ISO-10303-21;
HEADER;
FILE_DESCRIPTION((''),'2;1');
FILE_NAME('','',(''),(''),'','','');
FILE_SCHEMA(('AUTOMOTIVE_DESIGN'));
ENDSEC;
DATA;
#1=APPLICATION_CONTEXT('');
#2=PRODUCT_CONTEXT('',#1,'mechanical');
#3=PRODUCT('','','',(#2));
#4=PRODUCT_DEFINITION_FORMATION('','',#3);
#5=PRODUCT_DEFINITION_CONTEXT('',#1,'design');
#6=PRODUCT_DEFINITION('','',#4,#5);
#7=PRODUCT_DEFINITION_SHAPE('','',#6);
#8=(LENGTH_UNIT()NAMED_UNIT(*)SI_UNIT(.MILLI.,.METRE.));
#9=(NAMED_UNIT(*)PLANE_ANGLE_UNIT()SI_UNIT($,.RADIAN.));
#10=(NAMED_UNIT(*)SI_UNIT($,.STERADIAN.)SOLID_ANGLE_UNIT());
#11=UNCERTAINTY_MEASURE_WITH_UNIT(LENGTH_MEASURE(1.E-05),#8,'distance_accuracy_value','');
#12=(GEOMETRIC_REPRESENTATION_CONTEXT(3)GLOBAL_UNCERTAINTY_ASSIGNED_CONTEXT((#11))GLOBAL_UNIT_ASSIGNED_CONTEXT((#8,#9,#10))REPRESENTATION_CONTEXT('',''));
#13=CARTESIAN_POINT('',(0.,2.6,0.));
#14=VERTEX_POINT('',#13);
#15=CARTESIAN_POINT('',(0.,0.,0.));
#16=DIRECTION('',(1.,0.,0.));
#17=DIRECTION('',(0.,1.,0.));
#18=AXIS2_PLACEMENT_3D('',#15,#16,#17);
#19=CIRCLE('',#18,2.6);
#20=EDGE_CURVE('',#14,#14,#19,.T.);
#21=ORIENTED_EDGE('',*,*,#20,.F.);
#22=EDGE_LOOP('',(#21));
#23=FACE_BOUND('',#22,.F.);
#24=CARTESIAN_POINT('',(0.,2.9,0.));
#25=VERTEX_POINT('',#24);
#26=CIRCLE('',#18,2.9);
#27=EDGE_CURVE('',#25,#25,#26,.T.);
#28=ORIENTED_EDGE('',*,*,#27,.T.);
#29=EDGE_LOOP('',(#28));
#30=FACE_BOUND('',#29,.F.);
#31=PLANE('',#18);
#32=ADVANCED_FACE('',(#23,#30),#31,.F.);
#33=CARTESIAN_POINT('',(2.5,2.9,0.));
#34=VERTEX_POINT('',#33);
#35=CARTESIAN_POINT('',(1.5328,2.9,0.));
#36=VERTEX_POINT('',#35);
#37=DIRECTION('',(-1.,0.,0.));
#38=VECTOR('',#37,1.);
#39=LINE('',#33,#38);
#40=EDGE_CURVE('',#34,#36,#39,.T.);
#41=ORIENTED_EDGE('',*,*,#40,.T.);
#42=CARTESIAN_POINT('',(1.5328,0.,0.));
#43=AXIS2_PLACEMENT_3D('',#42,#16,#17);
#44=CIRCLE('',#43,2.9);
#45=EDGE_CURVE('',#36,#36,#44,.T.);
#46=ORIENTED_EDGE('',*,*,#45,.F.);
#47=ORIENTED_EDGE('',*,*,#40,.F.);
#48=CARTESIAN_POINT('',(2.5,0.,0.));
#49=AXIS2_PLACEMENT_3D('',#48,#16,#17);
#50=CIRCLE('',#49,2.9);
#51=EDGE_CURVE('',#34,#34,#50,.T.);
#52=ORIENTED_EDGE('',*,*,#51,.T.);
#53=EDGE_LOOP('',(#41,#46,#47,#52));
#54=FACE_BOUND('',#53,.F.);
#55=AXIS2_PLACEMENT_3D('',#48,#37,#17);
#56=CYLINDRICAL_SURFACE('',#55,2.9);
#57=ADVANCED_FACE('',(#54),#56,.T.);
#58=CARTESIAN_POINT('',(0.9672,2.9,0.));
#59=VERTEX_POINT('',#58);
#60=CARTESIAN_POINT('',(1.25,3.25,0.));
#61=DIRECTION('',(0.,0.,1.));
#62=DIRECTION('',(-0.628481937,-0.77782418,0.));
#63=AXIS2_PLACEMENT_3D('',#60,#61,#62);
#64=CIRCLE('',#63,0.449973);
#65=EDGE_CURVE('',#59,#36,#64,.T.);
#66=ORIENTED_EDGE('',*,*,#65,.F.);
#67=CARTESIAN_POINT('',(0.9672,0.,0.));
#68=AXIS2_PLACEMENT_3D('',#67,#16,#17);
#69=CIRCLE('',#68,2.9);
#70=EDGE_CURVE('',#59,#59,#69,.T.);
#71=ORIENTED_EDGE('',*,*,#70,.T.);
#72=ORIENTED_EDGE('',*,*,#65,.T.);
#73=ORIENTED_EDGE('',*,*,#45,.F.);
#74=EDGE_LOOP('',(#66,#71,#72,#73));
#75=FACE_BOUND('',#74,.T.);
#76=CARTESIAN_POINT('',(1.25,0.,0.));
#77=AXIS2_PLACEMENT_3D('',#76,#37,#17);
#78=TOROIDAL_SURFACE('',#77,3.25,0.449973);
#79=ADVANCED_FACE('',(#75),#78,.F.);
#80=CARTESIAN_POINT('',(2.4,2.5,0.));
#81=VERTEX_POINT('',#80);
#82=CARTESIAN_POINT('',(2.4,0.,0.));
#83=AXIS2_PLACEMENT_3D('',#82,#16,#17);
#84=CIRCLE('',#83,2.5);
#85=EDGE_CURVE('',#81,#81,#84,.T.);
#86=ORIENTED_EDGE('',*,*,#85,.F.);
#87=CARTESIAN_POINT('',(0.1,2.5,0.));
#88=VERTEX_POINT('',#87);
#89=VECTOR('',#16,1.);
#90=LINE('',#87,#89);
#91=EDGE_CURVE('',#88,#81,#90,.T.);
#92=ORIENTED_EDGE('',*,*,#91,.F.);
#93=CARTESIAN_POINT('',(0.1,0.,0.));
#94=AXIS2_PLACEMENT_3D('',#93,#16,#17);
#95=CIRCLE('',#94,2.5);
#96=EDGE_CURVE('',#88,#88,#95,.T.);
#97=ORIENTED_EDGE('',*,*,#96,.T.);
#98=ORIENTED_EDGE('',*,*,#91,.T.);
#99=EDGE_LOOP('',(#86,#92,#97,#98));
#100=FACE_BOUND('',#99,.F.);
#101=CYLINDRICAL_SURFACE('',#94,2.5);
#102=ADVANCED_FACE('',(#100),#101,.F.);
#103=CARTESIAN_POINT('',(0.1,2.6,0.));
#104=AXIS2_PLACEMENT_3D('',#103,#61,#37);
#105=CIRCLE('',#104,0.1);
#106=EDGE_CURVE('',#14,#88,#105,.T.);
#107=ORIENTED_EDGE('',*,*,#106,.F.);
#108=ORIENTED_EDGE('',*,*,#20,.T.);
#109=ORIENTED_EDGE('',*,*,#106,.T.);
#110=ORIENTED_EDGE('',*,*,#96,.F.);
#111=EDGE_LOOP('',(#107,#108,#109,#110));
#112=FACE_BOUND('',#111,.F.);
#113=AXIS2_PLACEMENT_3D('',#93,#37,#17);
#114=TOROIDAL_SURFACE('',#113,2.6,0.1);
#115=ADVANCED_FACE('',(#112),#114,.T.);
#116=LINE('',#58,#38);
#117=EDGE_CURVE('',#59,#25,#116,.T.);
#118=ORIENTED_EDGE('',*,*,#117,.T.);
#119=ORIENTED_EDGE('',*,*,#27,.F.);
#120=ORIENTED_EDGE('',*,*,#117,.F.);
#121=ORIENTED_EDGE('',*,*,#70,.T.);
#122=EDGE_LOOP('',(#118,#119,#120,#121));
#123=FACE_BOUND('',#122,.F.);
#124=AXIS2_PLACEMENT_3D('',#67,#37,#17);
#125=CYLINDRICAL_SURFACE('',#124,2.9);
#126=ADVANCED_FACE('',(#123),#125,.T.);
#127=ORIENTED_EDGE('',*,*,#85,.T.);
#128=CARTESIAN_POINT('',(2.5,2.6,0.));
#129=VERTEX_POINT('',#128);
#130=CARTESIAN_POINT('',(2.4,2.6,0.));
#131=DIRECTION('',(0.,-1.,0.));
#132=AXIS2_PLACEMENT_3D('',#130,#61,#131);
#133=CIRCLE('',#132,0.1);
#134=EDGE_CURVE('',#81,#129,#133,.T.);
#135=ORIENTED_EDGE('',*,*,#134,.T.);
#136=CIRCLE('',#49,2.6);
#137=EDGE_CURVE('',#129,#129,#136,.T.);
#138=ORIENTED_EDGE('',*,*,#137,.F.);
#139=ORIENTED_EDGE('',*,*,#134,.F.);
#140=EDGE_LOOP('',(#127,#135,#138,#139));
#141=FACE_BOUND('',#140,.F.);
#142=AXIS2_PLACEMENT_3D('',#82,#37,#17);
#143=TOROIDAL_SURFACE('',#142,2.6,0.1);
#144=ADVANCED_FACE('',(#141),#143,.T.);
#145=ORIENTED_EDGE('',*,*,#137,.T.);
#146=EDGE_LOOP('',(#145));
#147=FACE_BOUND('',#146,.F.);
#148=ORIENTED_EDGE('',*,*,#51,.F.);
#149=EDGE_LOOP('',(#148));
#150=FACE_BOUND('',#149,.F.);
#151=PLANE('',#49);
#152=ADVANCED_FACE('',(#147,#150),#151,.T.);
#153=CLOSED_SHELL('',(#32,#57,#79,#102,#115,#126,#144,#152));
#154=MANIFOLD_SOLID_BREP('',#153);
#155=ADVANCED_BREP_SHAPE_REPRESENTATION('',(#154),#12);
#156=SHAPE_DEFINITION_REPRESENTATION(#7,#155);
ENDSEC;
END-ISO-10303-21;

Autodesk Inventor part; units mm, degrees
sketch "Sketch_1" plane through (0, 0, 0) normal (0, 0, 1) x (1, 0, 0)
  line L0 (2.5, 0) -> (0, 0)
  arc A0 (0, 2.6) -> (0.1, 2.5) centre (0.1, 2.6) ccw
  line L1 (0.1, 2.5) -> (2.4, 2.5)
  arc A1 (2.4, 2.5) -> (2.5, 2.6) centre (2.4, 2.6) ccw
  line L2 (2.5, 2.6) -> (2.5, 2.9)
  line L3 (2.5, 2.9) -> (1.5328, 2.9)
  arc A2 (0.9672, 2.9) -> (1.5328, 2.9) centre (1.25, 3.25) ccw
  line L4 (0.9672, 2.9) -> (0, 2.9)
  line L5 (0, 2.9) -> (0, 2.6)
revolve "Revolution1" add sketch "Sketch_1" angle 360 about axis through (2.5, 0, 0) along (1, 0, 0)
ref_plane "ip_st_1_1_XY" through (1.25, 3.25, 0) normal (1, 0, 0) x (0, 0, -1)
ref_plane "ip_st_1_1_YZ" through (1.25, 3.25, 0) normal (0, 0, -1) x (0, 1, 0)
ref_plane "ip_st_1_1_ZX" through (1.25, 3.25, 0) normal (0, 1, 0) x (1, 0, 0)
ref_plane "ip_st_1_10_XY" through (1.25, -3.1947, -0.5972) normal (1, 0, 0) x (0, 0, -1)
ref_plane "ip_st_1_10_YZ" through (1.25, -3.1947, -0.5972) normal (0, 0, -1) x (0, 1, 0)
ref_plane "ip_st_1_10_ZX" through (1.25, -3.1947, -0.5972) normal (0, 1, 0) x (1, 0, 0)
ref_plane "ip_st_1_11_XY" through (1.25, -2.7632, -1.7109) normal (1, 0, 0) x (0, 0, -1)
ref_plane "ip_st_1_11_YZ" through (1.25, -2.7632, -1.7109) normal (0, 0, -1) x (0, 1, 0)
ref_plane "ip_st_1_11_ZX" through (1.25, -2.7632, -1.7109) normal (0, 1, 0) x (1, 0, 0)
ref_plane "ip_st_1_12_XY" through (1.25, -1.9586, -2.5936) normal (1, 0, 0) x (0, 0, -1)
ref_plane "ip_st_1_12_YZ" through (1.25, -1.9586, -2.5936) normal (0, 0, -1) x (0, 1, 0)
ref_plane "ip_st_1_12_ZX" through (1.25, -1.9586, -2.5936) normal (0, 1, 0) x (1, 0, 0)
ref_plane "ip_st_1_13_XY" through (1.25, -0.8894, -3.1259) normal (1, 0, 0) x (0, 0, -1)
ref_plane "ip_st_1_13_YZ" through (1.25, -0.8894, -3.1259) normal (0, 0, -1) x (0, 1, 0)
ref_plane "ip_st_1_13_ZX" through (1.25, -0.8894, -3.1259) normal (0, 1, 0) x (1, 0, 0)
ref_plane "ip_st_1_14_XY" through (1.25, 0.2999, -3.2361) normal (1, 0, 0) x (0, 0, -1)
ref_plane "ip_st_1_14_YZ" through (1.25, 0.2999, -3.2361) normal (0, 0, -1) x (0, 1, 0)
ref_plane "ip_st_1_14_ZX" through (1.25, 0.2999, -3.2361) normal (0, 1, 0) x (1, 0, 0)
ref_plane "ip_st_1_15_XY" through (1.25, 1.4486, -2.9093) normal (1, 0, 0) x (0, 0, -1)
ref_plane "ip_st_1_15_YZ" through (1.25, 1.4486, -2.9093) normal (0, 0, -1) x (0, 1, 0)
ref_plane "ip_st_1_15_ZX" through (1.25, 1.4486, -2.9093) normal (0, 1, 0) x (1, 0, 0)
ref_plane "ip_st_1_16_XY" through (1.25, 2.4018, -2.1895) normal (1, 0, 0) x (0, 0, -1)
ref_plane "ip_st_1_16_YZ" through (1.25, 2.4018, -2.1895) normal (0, 0, -1) x (0, 1, 0)
ref_plane "ip_st_1_16_ZX" through (1.25, 2.4018, -2.1895) normal (0, 1, 0) x (1, 0, 0)
ref_plane "ip_st_1_17_XY" through (1.25, 3.0305, -1.174) normal (1, 0, 0) x (0, 0, -1)
ref_plane "ip_st_1_17_YZ" through (1.25, 3.0305, -1.174) normal (0, 0, -1) x (0, 1, 0)
ref_plane "ip_st_1_17_ZX" through (1.25, 3.0305, -1.174) normal (0, 1, 0) x (1, 0, 0)
ref_plane "ip_st_1_2_XY" through (1.25, 3.0305, 1.174) normal (1, 0, 0) x (0, 0, -1)
ref_plane "ip_st_1_2_YZ" through (1.25, 3.0305, 1.174) normal (0, 0, -1) x (0, 1, 0)
ref_plane "ip_st_1_2_ZX" through (1.25, 3.0305, 1.174) normal (0, 1, 0) x (1, 0, 0)
ref_plane "ip_st_1_3_XY" through (1.25, 2.4018, 2.1895) normal (1, 0, 0) x (0, 0, -1)
ref_plane "ip_st_1_3_YZ" through (1.25, 2.4018, 2.1895) normal (0, 0, -1) x (0, 1, 0)
ref_plane "ip_st_1_3_ZX" through (1.25, 2.4018, 2.1895) normal (0, 1, 0) x (1, 0, 0)
ref_plane "ip_st_1_4_XY" through (1.25, 1.4486, 2.9093) normal (1, 0, 0) x (0, 0, -1)
ref_plane "ip_st_1_4_YZ" through (1.25, 1.4486, 2.9093) normal (0, 0, -1) x (0, 1, 0)
ref_plane "ip_st_1_4_ZX" through (1.25, 1.4486, 2.9093) normal (0, 1, 0) x (1, 0, 0)
ref_plane "ip_st_1_5_XY" through (1.25, 0.2999, 3.2361) normal (1, 0, 0) x (0, 0, -1)
ref_plane "ip_st_1_5_YZ" through (1.25, 0.2999, 3.2361) normal (0, 0, -1) x (0, 1, 0)
ref_plane "ip_st_1_5_ZX" through (1.25, 0.2999, 3.2361) normal (0, 1, 0) x (1, 0, 0)
ref_plane "ip_st_1_6_XY" through (1.25, -0.8894, 3.1259) normal (1, 0, 0) x (0, 0, -1)
ref_plane "ip_st_1_6_YZ" through (1.25, -0.8894, 3.1259) normal (0, 0, -1) x (0, 1, 0)
ref_plane "ip_st_1_6_ZX" through (1.25, -0.8894, 3.1259) normal (0, 1, 0) x (1, 0, 0)
ref_plane "ip_st_1_7_XY" through (1.25, -1.9586, 2.5936) normal (1, 0, 0) x (0, 0, -1)
ref_plane "ip_st_1_7_YZ" through (1.25, -1.9586, 2.5936) normal (0, 0, -1) x (0, 1, 0)
ref_plane "ip_st_1_7_ZX" through (1.25, -1.9586, 2.5936) normal (0, 1, 0) x (1, 0, 0)
ref_plane "ip_st_1_8_XY" through (1.25, -2.7632, 1.7109) normal (1, 0, 0) x (0, 0, -1)
ref_plane "ip_st_1_8_YZ" through (1.25, -2.7632, 1.7109) normal (0, 0, -1) x (0, 1, 0)
ref_plane "ip_st_1_8_ZX" through (1.25, -2.7632, 1.7109) normal (0, 1, 0) x (1, 0, 0)
ref_plane "ip_st_1_9_XY" through (1.25, -3.1947, 0.5972) normal (1, 0, 0) x (0, 0, -1)
ref_plane "ip_st_1_9_YZ" through (1.25, -3.1947, 0.5972) normal (0, 0, -1) x (0, 1, 0)
ref_plane "ip_st_1_9_ZX" through (1.25, -3.1947, 0.5972) normal (0, 1, 0) x (1, 0, 0)
ref_plane "ip_st_1a_XY" through (0, 0, 0) normal (1, 0, 0) x (0, 0, -1)
ref_plane "ip_st_1a_YZ" through (0, 0, 0) normal (0, 0, -1) x (0, 1, 0)
ref_plane "ip_st_1a_ZX" through (0, 0, 0) normal (0, 1, 0) x (1, 0, 0)
ref_plane "ip_st_2a_XY" through (0.1562, 0, 0) normal (1, 0, 0) x (0, 0, -1)
ref_plane "ip_st_2a_YZ" through (0.1562, 0, 0) normal (0, 0, -1) x (0, 1, 0)
ref_plane "ip_st_2a_ZX" through (0.1562, 0, 0) normal (0, 1, 0) x (1, 0, 0)
properties part number "MF85ZZ Inner Ring" material "ステンレス鋼 440C"
